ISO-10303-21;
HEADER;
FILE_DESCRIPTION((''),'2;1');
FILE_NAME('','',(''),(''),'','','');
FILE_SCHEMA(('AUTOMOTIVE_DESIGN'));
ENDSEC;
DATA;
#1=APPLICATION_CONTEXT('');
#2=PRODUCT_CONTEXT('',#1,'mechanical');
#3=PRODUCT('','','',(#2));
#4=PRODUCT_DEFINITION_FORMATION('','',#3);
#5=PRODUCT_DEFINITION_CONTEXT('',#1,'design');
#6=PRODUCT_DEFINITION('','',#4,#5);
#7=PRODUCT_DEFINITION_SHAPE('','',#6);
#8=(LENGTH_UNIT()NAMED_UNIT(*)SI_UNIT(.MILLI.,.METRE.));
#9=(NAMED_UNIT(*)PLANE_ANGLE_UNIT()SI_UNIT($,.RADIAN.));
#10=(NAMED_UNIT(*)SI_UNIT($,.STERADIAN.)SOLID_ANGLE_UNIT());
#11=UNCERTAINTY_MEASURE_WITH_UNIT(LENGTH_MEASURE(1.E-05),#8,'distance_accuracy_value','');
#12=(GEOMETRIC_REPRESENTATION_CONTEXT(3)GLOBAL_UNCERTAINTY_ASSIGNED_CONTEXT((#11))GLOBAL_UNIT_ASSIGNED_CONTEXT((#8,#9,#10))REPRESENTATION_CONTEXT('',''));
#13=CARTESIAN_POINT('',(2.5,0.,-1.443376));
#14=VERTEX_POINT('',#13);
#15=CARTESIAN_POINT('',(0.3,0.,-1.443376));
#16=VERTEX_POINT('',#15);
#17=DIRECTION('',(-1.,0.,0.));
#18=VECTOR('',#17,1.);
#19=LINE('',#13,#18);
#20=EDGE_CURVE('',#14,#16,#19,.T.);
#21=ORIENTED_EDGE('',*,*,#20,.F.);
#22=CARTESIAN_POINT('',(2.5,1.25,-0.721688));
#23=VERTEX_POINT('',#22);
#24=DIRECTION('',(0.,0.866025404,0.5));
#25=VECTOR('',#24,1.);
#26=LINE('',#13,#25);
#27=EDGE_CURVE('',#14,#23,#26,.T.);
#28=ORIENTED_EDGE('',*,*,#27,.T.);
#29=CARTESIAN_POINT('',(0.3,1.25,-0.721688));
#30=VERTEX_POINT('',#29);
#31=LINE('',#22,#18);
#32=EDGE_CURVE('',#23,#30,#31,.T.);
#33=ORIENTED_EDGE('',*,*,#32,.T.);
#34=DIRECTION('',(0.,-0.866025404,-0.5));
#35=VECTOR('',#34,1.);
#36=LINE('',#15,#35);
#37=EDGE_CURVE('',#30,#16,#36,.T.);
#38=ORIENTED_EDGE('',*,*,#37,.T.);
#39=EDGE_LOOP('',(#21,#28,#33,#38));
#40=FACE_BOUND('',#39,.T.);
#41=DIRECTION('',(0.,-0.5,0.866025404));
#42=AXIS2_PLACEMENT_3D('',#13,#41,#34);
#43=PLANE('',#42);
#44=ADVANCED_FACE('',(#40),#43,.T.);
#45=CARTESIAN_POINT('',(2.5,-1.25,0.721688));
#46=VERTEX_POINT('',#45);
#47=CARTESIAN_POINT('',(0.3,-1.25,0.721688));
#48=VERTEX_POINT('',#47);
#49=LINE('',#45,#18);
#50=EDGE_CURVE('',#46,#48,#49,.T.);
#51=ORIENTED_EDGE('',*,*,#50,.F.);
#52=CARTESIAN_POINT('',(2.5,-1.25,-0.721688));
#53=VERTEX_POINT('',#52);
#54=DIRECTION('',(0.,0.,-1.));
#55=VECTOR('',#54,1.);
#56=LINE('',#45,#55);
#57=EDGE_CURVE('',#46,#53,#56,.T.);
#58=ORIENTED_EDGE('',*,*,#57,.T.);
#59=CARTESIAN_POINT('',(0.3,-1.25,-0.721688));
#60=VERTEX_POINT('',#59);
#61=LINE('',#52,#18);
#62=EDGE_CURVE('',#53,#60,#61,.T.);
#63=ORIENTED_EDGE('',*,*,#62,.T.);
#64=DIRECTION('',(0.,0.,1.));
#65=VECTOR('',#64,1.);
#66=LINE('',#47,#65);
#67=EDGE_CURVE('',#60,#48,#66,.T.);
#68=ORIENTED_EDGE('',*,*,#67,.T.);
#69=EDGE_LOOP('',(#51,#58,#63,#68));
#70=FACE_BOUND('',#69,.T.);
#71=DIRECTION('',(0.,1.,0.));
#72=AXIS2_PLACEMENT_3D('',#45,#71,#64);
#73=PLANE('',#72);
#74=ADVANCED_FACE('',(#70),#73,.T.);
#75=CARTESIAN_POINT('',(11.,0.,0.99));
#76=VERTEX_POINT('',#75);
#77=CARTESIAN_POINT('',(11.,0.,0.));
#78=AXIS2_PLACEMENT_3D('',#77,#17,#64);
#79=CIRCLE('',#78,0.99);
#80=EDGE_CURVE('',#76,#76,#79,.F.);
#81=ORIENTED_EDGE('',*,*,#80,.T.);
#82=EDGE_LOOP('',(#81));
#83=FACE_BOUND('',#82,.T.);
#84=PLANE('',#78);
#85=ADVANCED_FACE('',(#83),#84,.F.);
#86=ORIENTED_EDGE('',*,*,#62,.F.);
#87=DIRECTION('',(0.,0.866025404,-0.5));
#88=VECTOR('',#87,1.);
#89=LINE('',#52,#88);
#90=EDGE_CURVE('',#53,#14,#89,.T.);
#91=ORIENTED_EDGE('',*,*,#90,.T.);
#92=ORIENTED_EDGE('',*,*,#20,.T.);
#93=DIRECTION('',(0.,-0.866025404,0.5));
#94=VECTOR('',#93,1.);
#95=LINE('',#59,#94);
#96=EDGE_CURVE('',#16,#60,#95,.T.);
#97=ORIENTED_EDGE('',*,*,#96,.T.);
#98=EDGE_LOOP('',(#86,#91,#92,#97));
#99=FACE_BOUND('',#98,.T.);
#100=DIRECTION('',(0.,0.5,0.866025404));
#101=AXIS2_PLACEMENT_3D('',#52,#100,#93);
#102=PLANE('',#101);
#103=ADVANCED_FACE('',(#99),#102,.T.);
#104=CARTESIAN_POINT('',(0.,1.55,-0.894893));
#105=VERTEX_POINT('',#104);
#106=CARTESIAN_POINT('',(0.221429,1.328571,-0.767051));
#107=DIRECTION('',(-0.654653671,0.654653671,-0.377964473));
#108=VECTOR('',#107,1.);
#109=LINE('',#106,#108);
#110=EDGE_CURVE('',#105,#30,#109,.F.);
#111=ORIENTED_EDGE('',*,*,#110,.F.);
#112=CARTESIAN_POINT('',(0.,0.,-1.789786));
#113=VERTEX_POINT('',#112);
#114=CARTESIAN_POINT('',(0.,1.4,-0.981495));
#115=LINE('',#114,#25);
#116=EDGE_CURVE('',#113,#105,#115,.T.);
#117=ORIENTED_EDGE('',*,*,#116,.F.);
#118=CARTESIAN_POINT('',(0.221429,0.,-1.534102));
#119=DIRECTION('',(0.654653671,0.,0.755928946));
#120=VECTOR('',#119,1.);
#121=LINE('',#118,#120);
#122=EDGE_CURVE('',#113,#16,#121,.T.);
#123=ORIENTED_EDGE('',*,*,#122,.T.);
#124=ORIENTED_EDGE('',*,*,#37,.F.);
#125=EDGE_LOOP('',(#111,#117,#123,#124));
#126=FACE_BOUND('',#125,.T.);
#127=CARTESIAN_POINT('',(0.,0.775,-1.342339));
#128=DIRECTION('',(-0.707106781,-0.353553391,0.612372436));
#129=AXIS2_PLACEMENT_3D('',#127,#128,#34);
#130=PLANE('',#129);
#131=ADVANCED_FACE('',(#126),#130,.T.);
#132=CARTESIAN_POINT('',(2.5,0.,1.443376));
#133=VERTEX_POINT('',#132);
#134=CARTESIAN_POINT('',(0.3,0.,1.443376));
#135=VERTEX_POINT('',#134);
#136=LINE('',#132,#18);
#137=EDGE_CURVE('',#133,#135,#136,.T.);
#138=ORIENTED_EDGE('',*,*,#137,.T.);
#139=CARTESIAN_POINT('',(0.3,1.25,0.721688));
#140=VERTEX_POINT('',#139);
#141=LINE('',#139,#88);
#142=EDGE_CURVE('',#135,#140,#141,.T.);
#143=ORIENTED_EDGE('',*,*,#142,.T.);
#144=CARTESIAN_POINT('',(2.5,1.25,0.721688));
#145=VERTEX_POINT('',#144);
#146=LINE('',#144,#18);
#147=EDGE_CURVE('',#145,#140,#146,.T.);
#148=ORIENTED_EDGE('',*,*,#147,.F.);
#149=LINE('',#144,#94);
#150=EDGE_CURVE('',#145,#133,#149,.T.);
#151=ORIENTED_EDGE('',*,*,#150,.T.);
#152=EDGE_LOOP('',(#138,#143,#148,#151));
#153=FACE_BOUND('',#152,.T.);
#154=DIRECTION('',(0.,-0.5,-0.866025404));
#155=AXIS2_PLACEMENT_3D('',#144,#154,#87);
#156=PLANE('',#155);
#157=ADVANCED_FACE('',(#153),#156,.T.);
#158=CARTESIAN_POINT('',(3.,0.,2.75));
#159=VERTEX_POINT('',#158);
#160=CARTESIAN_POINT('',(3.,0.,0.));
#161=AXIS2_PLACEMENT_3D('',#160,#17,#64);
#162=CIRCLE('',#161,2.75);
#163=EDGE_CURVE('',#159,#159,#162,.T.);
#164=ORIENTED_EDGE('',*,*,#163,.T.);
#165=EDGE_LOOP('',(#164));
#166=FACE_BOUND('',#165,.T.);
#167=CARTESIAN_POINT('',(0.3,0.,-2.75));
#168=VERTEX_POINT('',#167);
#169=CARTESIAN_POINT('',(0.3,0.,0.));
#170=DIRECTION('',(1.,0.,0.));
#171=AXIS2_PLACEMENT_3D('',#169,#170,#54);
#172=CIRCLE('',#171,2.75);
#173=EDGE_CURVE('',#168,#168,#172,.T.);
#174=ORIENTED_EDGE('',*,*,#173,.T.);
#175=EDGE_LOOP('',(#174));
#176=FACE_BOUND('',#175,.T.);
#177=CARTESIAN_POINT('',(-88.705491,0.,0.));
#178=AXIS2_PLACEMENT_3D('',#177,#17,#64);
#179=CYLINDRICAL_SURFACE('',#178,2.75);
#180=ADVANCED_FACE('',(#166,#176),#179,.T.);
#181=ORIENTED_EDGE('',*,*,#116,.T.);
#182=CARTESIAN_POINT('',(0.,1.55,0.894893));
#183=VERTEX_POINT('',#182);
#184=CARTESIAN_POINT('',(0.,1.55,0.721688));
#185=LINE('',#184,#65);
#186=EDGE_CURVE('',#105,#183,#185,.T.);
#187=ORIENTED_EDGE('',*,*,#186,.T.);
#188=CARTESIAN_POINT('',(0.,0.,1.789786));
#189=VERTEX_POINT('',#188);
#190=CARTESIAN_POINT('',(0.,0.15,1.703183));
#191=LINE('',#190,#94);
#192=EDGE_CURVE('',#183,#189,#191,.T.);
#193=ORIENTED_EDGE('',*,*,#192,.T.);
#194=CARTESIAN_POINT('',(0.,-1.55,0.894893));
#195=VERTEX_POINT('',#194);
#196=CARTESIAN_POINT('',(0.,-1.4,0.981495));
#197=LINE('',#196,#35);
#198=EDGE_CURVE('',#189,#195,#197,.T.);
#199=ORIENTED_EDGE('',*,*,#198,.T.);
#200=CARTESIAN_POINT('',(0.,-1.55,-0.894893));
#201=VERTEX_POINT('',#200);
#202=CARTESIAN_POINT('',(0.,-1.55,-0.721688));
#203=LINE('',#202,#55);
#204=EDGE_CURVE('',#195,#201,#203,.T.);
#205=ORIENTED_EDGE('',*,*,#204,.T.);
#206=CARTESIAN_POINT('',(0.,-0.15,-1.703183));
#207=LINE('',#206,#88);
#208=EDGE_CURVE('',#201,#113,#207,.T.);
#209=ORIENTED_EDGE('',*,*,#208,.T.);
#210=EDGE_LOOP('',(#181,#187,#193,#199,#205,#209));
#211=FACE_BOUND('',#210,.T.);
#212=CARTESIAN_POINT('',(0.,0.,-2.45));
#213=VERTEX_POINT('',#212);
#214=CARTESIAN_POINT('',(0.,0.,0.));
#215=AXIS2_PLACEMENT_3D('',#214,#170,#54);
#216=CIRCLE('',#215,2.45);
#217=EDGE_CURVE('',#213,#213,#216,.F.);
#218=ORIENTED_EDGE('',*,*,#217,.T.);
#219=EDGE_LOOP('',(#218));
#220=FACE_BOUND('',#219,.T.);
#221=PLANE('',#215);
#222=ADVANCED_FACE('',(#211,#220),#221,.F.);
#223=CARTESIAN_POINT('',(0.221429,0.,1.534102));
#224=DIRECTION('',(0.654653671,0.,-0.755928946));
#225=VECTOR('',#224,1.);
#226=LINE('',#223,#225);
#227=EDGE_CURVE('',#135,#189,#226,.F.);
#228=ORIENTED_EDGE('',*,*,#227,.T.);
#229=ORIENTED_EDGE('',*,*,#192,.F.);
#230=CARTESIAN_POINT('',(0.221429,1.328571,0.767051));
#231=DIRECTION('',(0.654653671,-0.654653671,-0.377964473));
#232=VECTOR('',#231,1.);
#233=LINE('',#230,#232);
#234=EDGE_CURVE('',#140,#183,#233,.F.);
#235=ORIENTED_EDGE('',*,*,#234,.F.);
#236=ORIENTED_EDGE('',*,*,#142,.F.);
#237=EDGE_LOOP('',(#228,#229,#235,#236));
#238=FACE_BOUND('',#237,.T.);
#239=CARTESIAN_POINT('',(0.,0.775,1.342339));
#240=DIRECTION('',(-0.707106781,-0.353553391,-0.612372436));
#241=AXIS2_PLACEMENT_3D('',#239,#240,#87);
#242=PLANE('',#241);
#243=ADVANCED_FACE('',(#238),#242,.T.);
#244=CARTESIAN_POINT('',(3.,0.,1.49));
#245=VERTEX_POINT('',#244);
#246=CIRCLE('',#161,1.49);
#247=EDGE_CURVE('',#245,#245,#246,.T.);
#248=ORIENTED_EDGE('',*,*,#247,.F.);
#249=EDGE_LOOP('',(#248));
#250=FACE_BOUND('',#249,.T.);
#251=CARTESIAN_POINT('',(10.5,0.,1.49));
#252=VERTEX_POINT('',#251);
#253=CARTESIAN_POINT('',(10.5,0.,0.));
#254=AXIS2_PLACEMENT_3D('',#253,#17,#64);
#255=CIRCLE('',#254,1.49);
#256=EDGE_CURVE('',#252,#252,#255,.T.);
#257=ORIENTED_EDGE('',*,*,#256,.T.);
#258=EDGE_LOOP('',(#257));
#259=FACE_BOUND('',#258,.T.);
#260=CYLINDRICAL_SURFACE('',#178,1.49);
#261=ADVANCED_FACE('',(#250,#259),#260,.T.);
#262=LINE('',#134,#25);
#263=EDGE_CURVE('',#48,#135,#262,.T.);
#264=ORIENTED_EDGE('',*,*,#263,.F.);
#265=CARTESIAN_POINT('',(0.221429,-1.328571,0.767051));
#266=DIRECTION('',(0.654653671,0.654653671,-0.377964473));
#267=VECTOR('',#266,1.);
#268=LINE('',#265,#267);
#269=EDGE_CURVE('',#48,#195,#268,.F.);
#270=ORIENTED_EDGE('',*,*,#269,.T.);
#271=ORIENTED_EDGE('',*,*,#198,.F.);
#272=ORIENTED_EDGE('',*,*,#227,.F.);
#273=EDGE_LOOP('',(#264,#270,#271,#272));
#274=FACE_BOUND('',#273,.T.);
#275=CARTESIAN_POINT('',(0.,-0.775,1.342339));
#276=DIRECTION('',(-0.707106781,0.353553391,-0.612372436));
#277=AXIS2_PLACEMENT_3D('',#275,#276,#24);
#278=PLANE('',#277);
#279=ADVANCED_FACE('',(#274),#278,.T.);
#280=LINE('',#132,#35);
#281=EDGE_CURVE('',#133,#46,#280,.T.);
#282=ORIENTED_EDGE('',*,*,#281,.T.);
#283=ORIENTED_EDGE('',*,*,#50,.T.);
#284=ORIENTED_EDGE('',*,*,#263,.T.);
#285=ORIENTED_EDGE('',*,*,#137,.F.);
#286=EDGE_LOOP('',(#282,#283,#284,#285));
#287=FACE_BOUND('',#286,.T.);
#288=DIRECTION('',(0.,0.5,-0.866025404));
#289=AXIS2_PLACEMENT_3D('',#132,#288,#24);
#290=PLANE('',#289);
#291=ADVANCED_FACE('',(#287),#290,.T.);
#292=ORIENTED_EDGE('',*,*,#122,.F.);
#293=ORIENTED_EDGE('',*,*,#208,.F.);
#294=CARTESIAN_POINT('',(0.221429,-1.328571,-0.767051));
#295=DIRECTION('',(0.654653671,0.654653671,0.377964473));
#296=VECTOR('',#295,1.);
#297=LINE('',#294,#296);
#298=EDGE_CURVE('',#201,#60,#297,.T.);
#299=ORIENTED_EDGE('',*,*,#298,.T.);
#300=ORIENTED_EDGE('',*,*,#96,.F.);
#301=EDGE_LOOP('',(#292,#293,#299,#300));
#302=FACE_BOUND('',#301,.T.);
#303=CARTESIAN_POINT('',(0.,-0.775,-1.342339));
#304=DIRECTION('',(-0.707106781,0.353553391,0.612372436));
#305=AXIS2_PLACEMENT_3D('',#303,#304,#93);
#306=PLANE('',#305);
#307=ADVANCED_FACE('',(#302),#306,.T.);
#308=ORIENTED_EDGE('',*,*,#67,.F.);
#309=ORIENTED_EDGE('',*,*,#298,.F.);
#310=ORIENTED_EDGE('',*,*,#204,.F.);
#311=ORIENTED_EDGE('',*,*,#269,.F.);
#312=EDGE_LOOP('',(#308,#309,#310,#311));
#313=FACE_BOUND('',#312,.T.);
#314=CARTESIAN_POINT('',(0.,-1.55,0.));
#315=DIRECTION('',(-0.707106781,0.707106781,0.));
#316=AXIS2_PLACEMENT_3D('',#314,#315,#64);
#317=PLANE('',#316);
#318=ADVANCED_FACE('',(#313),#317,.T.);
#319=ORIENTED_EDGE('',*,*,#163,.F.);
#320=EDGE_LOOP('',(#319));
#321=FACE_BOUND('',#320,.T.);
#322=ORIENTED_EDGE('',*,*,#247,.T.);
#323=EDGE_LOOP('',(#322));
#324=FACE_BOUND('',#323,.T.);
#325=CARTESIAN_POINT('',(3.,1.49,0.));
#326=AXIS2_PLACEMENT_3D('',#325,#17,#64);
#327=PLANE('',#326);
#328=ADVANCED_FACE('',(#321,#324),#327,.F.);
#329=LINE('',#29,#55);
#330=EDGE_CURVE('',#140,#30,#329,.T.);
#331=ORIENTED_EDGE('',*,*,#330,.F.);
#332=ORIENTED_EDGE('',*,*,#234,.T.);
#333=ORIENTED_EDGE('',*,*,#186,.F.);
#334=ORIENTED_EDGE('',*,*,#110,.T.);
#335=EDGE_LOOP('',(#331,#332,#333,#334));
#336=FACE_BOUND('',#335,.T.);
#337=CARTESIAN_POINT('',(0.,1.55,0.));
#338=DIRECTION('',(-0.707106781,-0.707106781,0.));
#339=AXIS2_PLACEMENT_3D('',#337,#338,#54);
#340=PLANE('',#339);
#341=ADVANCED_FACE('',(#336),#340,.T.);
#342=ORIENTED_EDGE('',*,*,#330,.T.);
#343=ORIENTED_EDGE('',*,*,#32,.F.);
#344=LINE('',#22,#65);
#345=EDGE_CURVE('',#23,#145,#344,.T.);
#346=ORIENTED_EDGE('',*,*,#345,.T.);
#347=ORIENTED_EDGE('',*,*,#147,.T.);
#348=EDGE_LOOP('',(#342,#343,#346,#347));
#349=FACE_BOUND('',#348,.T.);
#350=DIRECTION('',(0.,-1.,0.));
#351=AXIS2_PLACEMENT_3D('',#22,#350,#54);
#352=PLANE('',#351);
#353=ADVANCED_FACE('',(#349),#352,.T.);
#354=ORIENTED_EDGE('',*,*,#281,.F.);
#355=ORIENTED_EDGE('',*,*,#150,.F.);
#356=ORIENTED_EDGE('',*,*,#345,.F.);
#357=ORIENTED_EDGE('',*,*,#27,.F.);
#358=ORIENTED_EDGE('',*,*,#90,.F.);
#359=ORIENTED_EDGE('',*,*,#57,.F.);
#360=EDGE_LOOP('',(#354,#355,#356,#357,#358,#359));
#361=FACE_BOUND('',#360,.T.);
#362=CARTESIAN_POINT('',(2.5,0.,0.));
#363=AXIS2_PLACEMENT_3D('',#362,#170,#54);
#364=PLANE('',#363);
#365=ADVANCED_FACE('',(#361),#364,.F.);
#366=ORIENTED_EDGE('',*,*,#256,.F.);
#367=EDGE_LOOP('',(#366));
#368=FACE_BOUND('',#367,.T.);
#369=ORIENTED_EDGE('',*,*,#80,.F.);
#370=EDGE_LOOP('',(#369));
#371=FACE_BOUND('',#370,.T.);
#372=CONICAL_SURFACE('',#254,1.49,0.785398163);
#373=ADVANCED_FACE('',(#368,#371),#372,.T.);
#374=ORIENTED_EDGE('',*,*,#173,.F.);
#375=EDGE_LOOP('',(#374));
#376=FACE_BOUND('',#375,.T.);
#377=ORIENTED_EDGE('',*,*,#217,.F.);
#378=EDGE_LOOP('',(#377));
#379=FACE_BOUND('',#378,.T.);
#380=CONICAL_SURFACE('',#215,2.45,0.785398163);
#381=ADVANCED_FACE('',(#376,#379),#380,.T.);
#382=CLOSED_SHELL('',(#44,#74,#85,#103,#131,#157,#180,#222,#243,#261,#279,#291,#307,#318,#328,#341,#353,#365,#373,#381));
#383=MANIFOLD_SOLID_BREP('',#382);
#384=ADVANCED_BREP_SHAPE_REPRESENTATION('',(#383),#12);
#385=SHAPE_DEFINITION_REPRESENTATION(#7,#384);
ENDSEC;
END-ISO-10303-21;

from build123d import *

# Parameters (mm, degrees)
CHAMFER1_SIZE      = 0.5
CHAMFER2_SIZE      = 0.3
CUT_EXTRUDE1_DEPTH = 2.5
CHAMFER3_SIZE      = 0.3


with BuildPart() as part:
    # Sketch1 → Revolve1 (revolve)
    with BuildSketch(Plane.XY):
        Polygon((0, 0), (0, 2.75), (3, 2.75), (3, 1.49), (11, 1.49), (11, 0), align=None)
    revolve(axis=Axis((-88.705490849, 0, 0), (1, 0, 0)))

    # Chamfer1
    chamfer1_edges = [part.edges().sort_by_distance(p)[0] for p in [
        (11, -1.49, 0),
    ]]
    chamfer(chamfer1_edges, length=CHAMFER1_SIZE)

    # Chamfer2
    chamfer2_edges = [part.edges().sort_by_distance(p)[0] for p in [
        (0, -2.75, 0),
    ]]
    chamfer(chamfer2_edges, length=CHAMFER2_SIZE)

    # Sketch3 → Cut-Extrude1 (cut)
    with BuildSketch(Plane(origin=(0, 0, 0), x_dir=(0, 0, -1), z_dir=(1, 0, 0))):
        Polygon((-1.443375673, 0), (-0.721687836, -1.25), (0.721687836, -1.25), (1.443375673, 0), (0.721687836, 1.25), (-0.721687836, 1.25), align=None)
    extrude(amount=CUT_EXTRUDE1_DEPTH, mode=Mode.SUBTRACT)

    # Chamfer3
    chamfer3_edges = [part.edges().sort_by_distance(p)[0] for p in [
        (0, 0.625, 1.082531755),
        (0, -0.625, 1.082531755),
        (0, -1.25, 0),
        (0, -0.625, -1.082531755),
        (0, 0.625, -1.082531755),
        (0, 1.25, 0),
    ]]
    chamfer(chamfer3_edges, length=CHAMFER3_SIZE)


solid = part.part
